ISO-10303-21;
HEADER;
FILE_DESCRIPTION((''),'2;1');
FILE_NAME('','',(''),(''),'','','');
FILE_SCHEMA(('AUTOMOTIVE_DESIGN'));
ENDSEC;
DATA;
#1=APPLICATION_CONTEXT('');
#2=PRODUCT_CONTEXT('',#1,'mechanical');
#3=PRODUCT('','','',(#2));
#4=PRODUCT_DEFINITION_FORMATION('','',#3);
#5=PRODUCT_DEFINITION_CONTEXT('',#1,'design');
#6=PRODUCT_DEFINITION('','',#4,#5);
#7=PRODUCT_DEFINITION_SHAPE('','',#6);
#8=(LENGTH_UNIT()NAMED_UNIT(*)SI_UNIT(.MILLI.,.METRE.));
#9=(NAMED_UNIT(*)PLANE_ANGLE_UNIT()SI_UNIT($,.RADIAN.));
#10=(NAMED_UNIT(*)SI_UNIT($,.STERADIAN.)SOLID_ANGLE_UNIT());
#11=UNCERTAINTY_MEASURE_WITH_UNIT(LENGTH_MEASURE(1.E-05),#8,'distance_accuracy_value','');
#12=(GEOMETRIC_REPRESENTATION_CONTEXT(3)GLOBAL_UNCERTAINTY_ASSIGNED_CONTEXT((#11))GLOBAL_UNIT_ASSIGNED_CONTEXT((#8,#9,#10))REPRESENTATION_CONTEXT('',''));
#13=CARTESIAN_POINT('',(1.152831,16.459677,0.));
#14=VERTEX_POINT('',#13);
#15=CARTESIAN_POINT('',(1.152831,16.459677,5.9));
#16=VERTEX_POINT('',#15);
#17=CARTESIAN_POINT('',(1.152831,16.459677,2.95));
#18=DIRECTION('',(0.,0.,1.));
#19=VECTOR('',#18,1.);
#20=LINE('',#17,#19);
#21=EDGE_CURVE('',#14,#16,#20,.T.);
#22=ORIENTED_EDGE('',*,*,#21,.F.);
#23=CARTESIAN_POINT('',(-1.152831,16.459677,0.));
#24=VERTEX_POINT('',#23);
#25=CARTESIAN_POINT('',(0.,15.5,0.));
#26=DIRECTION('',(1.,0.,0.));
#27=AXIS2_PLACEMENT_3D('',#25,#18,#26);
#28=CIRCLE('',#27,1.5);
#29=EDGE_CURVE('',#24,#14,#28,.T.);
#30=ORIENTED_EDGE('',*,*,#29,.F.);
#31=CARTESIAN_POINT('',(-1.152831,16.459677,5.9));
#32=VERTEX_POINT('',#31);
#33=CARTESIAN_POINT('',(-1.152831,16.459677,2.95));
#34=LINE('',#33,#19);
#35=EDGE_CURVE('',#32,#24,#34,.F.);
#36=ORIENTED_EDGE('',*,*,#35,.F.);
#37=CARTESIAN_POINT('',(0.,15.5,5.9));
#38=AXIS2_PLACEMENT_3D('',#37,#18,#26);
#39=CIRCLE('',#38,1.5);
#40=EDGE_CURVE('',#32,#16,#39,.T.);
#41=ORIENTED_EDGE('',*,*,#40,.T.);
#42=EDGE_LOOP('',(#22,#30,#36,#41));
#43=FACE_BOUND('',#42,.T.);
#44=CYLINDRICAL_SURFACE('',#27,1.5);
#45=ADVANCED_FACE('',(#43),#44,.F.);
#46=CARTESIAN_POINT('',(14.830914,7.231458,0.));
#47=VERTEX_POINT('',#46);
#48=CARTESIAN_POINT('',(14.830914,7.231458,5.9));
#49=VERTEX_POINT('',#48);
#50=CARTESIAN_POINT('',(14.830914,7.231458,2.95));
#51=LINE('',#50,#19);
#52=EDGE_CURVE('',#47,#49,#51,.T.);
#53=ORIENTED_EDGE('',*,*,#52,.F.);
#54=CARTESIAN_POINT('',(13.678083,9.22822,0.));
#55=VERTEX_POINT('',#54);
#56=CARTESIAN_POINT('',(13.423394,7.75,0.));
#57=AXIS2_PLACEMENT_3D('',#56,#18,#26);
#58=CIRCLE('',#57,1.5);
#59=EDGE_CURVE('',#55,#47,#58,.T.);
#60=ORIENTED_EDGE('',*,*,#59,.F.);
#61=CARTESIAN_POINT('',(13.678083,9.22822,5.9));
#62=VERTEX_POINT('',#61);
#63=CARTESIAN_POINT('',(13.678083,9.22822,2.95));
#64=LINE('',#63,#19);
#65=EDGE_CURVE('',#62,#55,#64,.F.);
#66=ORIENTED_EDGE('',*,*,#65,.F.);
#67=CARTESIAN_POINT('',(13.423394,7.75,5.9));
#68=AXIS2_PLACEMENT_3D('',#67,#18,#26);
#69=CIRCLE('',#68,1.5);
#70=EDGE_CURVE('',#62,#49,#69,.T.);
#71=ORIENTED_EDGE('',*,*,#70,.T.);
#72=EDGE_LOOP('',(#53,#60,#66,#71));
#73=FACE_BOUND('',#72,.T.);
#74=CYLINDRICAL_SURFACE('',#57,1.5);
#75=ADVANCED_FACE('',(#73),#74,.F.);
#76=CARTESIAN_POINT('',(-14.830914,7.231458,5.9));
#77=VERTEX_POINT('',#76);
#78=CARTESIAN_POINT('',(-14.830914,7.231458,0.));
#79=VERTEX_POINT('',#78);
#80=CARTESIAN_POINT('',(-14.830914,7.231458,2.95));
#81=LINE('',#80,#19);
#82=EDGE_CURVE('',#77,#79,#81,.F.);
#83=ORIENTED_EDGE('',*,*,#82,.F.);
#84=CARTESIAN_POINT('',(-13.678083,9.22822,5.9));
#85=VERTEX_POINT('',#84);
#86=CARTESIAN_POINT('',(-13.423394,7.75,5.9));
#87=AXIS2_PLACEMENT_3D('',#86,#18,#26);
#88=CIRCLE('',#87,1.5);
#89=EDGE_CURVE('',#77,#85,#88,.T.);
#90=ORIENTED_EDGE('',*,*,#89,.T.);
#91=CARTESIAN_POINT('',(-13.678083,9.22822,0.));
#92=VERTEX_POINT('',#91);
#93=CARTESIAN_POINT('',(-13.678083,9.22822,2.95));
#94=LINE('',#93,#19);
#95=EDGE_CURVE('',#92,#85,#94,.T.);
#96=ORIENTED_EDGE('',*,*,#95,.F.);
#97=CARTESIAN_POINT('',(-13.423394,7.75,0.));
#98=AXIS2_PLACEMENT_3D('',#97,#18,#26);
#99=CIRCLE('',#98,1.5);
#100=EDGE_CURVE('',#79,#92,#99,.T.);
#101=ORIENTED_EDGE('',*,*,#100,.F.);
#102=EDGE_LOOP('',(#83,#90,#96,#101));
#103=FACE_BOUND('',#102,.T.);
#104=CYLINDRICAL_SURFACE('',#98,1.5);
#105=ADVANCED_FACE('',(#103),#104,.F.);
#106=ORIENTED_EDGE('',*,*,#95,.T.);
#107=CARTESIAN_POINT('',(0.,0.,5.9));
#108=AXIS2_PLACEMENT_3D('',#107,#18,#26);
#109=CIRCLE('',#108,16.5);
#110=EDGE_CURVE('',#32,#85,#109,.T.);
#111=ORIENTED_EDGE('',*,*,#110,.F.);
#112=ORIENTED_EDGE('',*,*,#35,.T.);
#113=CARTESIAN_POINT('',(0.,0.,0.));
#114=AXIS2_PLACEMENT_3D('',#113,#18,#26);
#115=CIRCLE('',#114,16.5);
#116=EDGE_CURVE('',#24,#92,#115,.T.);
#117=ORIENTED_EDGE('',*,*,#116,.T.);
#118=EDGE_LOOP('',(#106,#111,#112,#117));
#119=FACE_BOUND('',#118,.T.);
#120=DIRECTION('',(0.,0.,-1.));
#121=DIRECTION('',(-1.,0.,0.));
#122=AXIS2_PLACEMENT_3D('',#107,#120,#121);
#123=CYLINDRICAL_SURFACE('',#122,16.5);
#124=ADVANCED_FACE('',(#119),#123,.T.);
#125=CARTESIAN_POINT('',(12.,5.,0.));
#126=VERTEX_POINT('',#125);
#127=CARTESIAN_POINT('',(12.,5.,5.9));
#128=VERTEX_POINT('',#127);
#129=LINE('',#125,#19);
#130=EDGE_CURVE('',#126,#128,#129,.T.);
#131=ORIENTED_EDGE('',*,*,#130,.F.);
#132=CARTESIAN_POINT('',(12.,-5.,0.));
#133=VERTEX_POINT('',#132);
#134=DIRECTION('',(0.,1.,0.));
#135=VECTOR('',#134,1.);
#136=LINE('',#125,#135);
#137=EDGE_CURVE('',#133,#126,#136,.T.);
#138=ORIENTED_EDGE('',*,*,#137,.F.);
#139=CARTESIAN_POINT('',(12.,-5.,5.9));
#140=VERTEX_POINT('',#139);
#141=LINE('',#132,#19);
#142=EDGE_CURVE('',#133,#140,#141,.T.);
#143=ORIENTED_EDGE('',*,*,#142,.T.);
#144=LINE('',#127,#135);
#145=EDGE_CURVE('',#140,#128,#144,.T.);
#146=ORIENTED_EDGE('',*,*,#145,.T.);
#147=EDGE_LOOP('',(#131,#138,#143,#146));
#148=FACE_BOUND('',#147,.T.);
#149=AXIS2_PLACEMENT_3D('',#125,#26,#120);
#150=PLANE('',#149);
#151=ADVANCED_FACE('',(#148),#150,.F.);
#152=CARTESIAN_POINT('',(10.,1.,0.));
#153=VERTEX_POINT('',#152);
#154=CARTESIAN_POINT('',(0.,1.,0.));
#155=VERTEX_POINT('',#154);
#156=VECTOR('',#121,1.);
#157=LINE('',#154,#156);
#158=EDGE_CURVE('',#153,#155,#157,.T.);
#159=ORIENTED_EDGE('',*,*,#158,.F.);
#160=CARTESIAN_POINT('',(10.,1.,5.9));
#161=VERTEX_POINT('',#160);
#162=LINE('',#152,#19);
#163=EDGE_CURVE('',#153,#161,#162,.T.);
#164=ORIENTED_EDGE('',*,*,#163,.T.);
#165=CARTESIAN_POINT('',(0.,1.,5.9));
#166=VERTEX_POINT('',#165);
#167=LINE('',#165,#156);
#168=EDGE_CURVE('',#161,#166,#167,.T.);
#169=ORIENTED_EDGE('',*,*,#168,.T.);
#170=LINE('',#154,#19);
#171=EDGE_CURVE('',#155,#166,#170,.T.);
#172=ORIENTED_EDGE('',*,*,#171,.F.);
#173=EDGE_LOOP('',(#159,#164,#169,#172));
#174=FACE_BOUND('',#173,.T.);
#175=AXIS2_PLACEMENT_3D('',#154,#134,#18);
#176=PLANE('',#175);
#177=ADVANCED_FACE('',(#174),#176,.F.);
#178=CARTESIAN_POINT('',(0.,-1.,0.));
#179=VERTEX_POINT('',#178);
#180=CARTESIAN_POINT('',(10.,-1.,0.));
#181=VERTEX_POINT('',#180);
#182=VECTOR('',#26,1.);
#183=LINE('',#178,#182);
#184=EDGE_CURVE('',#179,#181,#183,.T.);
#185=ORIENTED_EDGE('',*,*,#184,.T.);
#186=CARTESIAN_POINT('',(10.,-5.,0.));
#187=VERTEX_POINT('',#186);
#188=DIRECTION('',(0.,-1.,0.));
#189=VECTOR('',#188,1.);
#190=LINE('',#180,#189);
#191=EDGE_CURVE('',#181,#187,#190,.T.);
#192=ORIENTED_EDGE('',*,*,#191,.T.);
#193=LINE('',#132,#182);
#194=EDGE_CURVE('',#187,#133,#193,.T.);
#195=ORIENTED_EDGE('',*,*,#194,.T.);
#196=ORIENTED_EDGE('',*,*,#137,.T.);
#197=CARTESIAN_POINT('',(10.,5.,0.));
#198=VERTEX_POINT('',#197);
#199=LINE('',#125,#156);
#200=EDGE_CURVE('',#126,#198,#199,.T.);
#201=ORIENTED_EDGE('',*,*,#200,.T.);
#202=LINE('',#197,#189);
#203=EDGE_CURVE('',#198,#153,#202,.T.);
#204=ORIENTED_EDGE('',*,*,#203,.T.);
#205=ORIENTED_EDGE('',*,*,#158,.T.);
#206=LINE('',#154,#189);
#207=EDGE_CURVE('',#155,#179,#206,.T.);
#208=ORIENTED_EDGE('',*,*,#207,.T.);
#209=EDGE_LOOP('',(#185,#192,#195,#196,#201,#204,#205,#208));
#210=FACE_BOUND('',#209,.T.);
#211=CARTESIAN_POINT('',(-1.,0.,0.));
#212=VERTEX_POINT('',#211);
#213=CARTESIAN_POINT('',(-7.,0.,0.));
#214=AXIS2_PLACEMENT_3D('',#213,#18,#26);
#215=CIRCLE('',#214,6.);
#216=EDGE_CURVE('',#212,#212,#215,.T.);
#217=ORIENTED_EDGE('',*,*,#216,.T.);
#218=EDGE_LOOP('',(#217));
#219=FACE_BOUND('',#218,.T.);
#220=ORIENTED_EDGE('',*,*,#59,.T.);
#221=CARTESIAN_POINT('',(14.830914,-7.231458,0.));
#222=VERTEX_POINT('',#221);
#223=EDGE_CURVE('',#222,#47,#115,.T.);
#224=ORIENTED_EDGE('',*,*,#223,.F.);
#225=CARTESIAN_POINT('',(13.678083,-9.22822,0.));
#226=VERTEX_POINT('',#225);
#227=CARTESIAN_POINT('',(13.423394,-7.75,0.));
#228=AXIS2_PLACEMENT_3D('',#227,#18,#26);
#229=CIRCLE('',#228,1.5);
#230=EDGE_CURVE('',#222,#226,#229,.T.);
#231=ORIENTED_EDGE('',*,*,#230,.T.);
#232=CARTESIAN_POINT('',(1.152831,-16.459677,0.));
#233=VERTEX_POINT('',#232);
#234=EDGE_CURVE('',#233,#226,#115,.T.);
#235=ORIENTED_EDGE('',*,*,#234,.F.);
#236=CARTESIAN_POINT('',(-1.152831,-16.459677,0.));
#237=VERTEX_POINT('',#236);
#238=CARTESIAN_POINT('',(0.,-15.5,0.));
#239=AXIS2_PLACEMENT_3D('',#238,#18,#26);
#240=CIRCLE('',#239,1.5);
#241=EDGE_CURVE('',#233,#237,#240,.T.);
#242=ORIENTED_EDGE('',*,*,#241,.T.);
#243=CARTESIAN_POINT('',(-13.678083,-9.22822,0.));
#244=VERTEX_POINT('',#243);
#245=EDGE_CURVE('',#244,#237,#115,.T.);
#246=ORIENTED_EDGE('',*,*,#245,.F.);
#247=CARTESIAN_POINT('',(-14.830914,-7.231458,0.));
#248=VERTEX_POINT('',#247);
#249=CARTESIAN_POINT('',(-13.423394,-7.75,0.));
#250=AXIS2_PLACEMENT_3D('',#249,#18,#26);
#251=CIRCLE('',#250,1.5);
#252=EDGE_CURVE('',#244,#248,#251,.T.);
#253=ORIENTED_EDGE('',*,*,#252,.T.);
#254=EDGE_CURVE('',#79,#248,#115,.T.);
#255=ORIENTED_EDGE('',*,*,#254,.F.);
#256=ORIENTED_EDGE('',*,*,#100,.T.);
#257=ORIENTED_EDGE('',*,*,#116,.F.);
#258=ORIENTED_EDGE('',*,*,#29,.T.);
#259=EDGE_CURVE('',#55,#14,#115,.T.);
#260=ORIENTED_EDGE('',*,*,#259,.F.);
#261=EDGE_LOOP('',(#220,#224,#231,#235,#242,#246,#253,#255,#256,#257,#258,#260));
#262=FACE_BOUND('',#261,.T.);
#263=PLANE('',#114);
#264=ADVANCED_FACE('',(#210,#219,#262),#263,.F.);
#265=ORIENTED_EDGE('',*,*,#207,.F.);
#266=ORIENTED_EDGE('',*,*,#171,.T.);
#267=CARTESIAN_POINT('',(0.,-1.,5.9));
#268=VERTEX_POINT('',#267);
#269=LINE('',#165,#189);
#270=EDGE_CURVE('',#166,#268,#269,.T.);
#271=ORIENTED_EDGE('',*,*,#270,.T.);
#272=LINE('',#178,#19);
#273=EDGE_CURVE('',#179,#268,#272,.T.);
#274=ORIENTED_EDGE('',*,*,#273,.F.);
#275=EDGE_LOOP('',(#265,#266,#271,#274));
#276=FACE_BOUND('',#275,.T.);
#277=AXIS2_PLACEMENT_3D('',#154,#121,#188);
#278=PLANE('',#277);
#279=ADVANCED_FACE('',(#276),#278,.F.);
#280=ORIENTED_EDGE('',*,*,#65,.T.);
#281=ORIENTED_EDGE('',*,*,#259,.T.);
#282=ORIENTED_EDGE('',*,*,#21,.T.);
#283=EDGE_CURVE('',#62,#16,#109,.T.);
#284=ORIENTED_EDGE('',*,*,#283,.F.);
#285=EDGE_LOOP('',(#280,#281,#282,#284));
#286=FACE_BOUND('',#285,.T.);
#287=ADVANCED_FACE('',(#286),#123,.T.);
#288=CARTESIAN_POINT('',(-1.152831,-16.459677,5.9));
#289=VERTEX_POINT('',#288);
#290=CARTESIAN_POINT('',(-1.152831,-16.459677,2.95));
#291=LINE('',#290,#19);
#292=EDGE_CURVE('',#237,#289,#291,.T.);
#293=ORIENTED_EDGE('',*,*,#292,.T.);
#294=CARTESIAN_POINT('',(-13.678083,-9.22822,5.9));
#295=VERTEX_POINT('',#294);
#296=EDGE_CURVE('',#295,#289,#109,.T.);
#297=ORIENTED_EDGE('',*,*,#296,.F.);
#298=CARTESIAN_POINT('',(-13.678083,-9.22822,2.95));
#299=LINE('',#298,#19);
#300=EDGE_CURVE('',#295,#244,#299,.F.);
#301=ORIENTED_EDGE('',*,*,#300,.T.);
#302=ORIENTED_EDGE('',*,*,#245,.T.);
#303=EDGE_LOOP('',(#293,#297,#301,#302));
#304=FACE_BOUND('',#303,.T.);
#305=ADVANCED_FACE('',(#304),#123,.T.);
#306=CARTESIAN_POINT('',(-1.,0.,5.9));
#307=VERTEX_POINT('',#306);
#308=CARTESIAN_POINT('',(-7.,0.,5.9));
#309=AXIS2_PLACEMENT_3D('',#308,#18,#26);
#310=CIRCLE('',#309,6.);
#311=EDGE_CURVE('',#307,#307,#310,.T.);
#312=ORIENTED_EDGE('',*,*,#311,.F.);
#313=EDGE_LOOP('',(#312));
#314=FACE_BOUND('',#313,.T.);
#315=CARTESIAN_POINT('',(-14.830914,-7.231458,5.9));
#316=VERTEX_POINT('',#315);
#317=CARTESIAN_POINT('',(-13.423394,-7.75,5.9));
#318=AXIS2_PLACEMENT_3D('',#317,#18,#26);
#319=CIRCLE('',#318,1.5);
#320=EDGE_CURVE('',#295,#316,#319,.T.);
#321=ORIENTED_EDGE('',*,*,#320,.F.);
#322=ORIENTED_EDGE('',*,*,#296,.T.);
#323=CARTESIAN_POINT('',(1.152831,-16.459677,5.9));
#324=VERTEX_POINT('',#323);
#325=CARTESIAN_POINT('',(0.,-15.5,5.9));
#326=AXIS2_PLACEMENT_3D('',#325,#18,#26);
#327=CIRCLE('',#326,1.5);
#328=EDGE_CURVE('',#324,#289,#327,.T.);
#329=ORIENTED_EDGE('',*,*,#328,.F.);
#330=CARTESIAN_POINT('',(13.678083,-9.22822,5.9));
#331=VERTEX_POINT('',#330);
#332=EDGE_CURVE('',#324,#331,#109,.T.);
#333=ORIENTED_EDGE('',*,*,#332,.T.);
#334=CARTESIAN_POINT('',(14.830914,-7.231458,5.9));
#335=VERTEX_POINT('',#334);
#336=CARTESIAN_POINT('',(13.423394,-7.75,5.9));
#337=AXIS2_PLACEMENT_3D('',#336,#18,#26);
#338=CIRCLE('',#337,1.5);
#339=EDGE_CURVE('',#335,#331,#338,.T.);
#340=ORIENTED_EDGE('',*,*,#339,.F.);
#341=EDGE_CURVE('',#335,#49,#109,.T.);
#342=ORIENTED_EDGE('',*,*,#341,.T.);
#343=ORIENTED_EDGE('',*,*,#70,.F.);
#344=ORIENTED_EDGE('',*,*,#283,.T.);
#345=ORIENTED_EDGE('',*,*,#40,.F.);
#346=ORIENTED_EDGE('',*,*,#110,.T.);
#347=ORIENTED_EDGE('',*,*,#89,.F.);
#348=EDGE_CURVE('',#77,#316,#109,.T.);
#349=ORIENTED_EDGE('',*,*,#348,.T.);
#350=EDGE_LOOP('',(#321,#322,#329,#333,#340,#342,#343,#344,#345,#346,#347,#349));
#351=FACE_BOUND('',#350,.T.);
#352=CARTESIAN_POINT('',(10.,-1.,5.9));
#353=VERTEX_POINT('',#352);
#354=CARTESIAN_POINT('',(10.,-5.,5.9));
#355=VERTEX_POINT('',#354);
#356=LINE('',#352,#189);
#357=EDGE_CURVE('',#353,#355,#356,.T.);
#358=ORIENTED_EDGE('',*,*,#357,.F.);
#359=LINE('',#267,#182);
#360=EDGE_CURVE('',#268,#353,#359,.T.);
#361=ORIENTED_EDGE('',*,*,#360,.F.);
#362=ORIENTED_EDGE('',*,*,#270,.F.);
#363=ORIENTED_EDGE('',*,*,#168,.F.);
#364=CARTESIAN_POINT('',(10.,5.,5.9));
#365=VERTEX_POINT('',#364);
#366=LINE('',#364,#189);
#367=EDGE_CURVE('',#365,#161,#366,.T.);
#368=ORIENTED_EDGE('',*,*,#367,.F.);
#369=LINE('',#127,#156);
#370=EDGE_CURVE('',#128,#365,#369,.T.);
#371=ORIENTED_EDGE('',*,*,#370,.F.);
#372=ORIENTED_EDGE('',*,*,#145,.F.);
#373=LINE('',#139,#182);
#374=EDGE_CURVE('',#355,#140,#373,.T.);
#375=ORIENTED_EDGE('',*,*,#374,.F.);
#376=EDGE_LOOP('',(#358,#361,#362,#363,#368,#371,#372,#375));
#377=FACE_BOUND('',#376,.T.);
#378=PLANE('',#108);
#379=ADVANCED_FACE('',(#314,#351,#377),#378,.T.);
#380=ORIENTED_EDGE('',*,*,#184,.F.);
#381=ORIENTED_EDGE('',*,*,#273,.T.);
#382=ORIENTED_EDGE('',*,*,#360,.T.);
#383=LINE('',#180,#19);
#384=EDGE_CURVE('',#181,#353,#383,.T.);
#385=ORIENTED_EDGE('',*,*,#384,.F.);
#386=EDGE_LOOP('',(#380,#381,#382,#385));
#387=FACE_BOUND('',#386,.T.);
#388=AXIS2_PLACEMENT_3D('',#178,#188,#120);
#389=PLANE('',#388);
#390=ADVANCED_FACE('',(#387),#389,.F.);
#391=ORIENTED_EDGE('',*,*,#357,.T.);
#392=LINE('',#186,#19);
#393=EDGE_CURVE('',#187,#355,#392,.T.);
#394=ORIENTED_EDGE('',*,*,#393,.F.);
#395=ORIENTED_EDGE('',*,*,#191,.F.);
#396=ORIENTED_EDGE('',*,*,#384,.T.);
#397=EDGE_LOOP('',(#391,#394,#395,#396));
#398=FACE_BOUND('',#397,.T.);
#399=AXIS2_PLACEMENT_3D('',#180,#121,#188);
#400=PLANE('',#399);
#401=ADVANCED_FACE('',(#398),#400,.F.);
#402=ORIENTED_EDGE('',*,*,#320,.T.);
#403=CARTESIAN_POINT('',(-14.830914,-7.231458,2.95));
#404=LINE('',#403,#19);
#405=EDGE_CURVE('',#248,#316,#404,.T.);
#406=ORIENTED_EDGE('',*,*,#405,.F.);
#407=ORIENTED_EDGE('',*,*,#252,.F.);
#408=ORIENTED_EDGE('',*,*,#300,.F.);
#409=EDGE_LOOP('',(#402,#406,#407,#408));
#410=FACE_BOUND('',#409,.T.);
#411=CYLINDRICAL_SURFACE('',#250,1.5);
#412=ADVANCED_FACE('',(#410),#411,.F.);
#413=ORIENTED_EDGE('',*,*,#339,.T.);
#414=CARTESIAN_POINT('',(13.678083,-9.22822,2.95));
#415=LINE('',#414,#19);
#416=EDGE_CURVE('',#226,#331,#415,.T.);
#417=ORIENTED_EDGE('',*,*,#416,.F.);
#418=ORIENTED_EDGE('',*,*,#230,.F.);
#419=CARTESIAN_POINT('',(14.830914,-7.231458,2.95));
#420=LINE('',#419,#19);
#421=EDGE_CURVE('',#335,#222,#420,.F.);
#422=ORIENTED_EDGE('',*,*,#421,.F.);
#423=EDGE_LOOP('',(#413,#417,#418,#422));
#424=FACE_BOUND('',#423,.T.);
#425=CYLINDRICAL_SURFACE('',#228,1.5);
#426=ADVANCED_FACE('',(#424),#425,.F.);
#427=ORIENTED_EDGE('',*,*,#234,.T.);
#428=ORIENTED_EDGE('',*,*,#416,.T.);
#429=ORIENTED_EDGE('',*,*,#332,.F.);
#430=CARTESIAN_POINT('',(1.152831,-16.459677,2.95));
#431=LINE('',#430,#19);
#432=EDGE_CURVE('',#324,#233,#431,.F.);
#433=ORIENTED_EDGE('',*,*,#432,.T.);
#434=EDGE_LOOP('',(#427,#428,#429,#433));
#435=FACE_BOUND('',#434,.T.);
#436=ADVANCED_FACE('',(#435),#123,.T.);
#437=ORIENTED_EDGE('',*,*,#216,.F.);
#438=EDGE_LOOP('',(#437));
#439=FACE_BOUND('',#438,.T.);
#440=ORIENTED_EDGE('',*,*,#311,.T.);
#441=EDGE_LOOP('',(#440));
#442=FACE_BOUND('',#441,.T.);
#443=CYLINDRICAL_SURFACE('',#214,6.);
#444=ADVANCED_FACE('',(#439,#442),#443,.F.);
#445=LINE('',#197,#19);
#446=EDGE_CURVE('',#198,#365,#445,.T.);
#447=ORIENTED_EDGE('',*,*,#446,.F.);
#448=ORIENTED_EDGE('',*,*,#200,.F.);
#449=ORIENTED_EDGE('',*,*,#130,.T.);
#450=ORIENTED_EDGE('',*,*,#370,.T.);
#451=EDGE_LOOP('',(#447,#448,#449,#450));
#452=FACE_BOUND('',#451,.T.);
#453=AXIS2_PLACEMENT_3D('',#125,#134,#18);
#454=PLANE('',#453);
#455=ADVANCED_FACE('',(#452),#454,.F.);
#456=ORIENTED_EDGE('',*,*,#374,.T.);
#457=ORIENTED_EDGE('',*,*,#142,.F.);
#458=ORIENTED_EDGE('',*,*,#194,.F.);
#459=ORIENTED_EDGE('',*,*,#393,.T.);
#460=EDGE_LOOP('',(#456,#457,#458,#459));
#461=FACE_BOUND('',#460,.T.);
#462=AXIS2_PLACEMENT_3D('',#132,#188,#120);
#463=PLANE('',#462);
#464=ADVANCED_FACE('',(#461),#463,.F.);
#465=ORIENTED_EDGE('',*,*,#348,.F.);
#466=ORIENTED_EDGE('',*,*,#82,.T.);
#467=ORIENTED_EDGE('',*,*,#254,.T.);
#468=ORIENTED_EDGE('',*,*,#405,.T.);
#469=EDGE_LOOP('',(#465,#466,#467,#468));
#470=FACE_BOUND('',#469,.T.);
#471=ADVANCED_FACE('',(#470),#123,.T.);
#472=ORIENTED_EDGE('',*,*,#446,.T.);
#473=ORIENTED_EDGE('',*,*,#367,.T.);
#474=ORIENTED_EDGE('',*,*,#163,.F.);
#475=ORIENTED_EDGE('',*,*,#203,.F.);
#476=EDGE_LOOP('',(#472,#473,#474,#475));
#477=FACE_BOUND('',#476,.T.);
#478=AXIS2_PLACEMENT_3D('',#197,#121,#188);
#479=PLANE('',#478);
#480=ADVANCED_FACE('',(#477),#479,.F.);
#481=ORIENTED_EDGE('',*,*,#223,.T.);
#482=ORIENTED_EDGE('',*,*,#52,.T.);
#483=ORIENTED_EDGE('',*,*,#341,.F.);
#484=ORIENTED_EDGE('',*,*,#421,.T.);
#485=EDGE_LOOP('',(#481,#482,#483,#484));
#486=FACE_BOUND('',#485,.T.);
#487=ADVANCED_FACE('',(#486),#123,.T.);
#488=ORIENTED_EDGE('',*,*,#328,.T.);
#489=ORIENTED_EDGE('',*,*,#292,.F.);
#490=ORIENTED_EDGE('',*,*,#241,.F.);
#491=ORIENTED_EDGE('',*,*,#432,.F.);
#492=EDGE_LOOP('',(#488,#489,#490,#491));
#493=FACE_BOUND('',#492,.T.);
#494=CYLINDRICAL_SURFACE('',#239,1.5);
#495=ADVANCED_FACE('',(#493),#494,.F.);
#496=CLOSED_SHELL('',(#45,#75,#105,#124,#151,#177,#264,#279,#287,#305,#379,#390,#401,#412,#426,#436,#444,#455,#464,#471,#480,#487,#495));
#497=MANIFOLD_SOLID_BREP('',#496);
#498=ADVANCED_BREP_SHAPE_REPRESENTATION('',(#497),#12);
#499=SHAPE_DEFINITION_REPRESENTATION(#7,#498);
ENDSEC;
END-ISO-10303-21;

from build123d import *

# Parameters (mm, degrees)
SKETCH1_R           = 16.5
BOSS_EXTRUDE1_DEPTH = 5.9
SKETCH2_R           = 1.5
CUT_EXTRUDE1_DEPTH  = 25.068859549
SKETCH3_R           = 6
CUT_EXTRUDE2_DEPTH  = 25.041235009
CUT_EXTRUDE3_DEPTH  = 25.041235009


with BuildPart() as part:
    # Sketch1 → Boss-Extrude1 (new body)
    with BuildSketch(Plane.XY):
        Circle(SKETCH1_R)
    extrude(amount=BOSS_EXTRUDE1_DEPTH)

    # Sketch2 → Cut-Extrude1 (cut, through all)
    with BuildSketch(Plane.XY.offset(5.9)):
        with Locations((0, 15.5)):
            Circle(SKETCH2_R)
        with Locations((13.423393759, 7.75)):
            Circle(SKETCH2_R)
        with Locations((13.423393759, -7.75)):
            Circle(SKETCH2_R)
        with Locations((0, -15.5)):
            Circle(SKETCH2_R)
        with Locations((-13.423393759, -7.75)):
            Circle(SKETCH2_R)
        with Locations((-13.423393759, 7.75)):
            Circle(SKETCH2_R)
    extrude(amount=-CUT_EXTRUDE1_DEPTH, mode=Mode.SUBTRACT)

    # Sketch3 → Cut-Extrude2 (cut, through all)
    with BuildSketch(Plane.XY.offset(5.9)):
        with Locations((-7, 0)):
            Circle(SKETCH3_R)
    extrude(amount=-CUT_EXTRUDE2_DEPTH, mode=Mode.SUBTRACT)

    # Sketch5 → Cut-Extrude3 (cut, through all)
    with BuildSketch(Plane.XY.offset(5.9)):
        Polygon((12, 5), (10, 5), (10, 1), (0, 1), (0, -1), (10, -1), (10, -5), (12, -5), align=None)
    extrude(amount=-CUT_EXTRUDE3_DEPTH, mode=Mode.SUBTRACT)


solid = part.part
